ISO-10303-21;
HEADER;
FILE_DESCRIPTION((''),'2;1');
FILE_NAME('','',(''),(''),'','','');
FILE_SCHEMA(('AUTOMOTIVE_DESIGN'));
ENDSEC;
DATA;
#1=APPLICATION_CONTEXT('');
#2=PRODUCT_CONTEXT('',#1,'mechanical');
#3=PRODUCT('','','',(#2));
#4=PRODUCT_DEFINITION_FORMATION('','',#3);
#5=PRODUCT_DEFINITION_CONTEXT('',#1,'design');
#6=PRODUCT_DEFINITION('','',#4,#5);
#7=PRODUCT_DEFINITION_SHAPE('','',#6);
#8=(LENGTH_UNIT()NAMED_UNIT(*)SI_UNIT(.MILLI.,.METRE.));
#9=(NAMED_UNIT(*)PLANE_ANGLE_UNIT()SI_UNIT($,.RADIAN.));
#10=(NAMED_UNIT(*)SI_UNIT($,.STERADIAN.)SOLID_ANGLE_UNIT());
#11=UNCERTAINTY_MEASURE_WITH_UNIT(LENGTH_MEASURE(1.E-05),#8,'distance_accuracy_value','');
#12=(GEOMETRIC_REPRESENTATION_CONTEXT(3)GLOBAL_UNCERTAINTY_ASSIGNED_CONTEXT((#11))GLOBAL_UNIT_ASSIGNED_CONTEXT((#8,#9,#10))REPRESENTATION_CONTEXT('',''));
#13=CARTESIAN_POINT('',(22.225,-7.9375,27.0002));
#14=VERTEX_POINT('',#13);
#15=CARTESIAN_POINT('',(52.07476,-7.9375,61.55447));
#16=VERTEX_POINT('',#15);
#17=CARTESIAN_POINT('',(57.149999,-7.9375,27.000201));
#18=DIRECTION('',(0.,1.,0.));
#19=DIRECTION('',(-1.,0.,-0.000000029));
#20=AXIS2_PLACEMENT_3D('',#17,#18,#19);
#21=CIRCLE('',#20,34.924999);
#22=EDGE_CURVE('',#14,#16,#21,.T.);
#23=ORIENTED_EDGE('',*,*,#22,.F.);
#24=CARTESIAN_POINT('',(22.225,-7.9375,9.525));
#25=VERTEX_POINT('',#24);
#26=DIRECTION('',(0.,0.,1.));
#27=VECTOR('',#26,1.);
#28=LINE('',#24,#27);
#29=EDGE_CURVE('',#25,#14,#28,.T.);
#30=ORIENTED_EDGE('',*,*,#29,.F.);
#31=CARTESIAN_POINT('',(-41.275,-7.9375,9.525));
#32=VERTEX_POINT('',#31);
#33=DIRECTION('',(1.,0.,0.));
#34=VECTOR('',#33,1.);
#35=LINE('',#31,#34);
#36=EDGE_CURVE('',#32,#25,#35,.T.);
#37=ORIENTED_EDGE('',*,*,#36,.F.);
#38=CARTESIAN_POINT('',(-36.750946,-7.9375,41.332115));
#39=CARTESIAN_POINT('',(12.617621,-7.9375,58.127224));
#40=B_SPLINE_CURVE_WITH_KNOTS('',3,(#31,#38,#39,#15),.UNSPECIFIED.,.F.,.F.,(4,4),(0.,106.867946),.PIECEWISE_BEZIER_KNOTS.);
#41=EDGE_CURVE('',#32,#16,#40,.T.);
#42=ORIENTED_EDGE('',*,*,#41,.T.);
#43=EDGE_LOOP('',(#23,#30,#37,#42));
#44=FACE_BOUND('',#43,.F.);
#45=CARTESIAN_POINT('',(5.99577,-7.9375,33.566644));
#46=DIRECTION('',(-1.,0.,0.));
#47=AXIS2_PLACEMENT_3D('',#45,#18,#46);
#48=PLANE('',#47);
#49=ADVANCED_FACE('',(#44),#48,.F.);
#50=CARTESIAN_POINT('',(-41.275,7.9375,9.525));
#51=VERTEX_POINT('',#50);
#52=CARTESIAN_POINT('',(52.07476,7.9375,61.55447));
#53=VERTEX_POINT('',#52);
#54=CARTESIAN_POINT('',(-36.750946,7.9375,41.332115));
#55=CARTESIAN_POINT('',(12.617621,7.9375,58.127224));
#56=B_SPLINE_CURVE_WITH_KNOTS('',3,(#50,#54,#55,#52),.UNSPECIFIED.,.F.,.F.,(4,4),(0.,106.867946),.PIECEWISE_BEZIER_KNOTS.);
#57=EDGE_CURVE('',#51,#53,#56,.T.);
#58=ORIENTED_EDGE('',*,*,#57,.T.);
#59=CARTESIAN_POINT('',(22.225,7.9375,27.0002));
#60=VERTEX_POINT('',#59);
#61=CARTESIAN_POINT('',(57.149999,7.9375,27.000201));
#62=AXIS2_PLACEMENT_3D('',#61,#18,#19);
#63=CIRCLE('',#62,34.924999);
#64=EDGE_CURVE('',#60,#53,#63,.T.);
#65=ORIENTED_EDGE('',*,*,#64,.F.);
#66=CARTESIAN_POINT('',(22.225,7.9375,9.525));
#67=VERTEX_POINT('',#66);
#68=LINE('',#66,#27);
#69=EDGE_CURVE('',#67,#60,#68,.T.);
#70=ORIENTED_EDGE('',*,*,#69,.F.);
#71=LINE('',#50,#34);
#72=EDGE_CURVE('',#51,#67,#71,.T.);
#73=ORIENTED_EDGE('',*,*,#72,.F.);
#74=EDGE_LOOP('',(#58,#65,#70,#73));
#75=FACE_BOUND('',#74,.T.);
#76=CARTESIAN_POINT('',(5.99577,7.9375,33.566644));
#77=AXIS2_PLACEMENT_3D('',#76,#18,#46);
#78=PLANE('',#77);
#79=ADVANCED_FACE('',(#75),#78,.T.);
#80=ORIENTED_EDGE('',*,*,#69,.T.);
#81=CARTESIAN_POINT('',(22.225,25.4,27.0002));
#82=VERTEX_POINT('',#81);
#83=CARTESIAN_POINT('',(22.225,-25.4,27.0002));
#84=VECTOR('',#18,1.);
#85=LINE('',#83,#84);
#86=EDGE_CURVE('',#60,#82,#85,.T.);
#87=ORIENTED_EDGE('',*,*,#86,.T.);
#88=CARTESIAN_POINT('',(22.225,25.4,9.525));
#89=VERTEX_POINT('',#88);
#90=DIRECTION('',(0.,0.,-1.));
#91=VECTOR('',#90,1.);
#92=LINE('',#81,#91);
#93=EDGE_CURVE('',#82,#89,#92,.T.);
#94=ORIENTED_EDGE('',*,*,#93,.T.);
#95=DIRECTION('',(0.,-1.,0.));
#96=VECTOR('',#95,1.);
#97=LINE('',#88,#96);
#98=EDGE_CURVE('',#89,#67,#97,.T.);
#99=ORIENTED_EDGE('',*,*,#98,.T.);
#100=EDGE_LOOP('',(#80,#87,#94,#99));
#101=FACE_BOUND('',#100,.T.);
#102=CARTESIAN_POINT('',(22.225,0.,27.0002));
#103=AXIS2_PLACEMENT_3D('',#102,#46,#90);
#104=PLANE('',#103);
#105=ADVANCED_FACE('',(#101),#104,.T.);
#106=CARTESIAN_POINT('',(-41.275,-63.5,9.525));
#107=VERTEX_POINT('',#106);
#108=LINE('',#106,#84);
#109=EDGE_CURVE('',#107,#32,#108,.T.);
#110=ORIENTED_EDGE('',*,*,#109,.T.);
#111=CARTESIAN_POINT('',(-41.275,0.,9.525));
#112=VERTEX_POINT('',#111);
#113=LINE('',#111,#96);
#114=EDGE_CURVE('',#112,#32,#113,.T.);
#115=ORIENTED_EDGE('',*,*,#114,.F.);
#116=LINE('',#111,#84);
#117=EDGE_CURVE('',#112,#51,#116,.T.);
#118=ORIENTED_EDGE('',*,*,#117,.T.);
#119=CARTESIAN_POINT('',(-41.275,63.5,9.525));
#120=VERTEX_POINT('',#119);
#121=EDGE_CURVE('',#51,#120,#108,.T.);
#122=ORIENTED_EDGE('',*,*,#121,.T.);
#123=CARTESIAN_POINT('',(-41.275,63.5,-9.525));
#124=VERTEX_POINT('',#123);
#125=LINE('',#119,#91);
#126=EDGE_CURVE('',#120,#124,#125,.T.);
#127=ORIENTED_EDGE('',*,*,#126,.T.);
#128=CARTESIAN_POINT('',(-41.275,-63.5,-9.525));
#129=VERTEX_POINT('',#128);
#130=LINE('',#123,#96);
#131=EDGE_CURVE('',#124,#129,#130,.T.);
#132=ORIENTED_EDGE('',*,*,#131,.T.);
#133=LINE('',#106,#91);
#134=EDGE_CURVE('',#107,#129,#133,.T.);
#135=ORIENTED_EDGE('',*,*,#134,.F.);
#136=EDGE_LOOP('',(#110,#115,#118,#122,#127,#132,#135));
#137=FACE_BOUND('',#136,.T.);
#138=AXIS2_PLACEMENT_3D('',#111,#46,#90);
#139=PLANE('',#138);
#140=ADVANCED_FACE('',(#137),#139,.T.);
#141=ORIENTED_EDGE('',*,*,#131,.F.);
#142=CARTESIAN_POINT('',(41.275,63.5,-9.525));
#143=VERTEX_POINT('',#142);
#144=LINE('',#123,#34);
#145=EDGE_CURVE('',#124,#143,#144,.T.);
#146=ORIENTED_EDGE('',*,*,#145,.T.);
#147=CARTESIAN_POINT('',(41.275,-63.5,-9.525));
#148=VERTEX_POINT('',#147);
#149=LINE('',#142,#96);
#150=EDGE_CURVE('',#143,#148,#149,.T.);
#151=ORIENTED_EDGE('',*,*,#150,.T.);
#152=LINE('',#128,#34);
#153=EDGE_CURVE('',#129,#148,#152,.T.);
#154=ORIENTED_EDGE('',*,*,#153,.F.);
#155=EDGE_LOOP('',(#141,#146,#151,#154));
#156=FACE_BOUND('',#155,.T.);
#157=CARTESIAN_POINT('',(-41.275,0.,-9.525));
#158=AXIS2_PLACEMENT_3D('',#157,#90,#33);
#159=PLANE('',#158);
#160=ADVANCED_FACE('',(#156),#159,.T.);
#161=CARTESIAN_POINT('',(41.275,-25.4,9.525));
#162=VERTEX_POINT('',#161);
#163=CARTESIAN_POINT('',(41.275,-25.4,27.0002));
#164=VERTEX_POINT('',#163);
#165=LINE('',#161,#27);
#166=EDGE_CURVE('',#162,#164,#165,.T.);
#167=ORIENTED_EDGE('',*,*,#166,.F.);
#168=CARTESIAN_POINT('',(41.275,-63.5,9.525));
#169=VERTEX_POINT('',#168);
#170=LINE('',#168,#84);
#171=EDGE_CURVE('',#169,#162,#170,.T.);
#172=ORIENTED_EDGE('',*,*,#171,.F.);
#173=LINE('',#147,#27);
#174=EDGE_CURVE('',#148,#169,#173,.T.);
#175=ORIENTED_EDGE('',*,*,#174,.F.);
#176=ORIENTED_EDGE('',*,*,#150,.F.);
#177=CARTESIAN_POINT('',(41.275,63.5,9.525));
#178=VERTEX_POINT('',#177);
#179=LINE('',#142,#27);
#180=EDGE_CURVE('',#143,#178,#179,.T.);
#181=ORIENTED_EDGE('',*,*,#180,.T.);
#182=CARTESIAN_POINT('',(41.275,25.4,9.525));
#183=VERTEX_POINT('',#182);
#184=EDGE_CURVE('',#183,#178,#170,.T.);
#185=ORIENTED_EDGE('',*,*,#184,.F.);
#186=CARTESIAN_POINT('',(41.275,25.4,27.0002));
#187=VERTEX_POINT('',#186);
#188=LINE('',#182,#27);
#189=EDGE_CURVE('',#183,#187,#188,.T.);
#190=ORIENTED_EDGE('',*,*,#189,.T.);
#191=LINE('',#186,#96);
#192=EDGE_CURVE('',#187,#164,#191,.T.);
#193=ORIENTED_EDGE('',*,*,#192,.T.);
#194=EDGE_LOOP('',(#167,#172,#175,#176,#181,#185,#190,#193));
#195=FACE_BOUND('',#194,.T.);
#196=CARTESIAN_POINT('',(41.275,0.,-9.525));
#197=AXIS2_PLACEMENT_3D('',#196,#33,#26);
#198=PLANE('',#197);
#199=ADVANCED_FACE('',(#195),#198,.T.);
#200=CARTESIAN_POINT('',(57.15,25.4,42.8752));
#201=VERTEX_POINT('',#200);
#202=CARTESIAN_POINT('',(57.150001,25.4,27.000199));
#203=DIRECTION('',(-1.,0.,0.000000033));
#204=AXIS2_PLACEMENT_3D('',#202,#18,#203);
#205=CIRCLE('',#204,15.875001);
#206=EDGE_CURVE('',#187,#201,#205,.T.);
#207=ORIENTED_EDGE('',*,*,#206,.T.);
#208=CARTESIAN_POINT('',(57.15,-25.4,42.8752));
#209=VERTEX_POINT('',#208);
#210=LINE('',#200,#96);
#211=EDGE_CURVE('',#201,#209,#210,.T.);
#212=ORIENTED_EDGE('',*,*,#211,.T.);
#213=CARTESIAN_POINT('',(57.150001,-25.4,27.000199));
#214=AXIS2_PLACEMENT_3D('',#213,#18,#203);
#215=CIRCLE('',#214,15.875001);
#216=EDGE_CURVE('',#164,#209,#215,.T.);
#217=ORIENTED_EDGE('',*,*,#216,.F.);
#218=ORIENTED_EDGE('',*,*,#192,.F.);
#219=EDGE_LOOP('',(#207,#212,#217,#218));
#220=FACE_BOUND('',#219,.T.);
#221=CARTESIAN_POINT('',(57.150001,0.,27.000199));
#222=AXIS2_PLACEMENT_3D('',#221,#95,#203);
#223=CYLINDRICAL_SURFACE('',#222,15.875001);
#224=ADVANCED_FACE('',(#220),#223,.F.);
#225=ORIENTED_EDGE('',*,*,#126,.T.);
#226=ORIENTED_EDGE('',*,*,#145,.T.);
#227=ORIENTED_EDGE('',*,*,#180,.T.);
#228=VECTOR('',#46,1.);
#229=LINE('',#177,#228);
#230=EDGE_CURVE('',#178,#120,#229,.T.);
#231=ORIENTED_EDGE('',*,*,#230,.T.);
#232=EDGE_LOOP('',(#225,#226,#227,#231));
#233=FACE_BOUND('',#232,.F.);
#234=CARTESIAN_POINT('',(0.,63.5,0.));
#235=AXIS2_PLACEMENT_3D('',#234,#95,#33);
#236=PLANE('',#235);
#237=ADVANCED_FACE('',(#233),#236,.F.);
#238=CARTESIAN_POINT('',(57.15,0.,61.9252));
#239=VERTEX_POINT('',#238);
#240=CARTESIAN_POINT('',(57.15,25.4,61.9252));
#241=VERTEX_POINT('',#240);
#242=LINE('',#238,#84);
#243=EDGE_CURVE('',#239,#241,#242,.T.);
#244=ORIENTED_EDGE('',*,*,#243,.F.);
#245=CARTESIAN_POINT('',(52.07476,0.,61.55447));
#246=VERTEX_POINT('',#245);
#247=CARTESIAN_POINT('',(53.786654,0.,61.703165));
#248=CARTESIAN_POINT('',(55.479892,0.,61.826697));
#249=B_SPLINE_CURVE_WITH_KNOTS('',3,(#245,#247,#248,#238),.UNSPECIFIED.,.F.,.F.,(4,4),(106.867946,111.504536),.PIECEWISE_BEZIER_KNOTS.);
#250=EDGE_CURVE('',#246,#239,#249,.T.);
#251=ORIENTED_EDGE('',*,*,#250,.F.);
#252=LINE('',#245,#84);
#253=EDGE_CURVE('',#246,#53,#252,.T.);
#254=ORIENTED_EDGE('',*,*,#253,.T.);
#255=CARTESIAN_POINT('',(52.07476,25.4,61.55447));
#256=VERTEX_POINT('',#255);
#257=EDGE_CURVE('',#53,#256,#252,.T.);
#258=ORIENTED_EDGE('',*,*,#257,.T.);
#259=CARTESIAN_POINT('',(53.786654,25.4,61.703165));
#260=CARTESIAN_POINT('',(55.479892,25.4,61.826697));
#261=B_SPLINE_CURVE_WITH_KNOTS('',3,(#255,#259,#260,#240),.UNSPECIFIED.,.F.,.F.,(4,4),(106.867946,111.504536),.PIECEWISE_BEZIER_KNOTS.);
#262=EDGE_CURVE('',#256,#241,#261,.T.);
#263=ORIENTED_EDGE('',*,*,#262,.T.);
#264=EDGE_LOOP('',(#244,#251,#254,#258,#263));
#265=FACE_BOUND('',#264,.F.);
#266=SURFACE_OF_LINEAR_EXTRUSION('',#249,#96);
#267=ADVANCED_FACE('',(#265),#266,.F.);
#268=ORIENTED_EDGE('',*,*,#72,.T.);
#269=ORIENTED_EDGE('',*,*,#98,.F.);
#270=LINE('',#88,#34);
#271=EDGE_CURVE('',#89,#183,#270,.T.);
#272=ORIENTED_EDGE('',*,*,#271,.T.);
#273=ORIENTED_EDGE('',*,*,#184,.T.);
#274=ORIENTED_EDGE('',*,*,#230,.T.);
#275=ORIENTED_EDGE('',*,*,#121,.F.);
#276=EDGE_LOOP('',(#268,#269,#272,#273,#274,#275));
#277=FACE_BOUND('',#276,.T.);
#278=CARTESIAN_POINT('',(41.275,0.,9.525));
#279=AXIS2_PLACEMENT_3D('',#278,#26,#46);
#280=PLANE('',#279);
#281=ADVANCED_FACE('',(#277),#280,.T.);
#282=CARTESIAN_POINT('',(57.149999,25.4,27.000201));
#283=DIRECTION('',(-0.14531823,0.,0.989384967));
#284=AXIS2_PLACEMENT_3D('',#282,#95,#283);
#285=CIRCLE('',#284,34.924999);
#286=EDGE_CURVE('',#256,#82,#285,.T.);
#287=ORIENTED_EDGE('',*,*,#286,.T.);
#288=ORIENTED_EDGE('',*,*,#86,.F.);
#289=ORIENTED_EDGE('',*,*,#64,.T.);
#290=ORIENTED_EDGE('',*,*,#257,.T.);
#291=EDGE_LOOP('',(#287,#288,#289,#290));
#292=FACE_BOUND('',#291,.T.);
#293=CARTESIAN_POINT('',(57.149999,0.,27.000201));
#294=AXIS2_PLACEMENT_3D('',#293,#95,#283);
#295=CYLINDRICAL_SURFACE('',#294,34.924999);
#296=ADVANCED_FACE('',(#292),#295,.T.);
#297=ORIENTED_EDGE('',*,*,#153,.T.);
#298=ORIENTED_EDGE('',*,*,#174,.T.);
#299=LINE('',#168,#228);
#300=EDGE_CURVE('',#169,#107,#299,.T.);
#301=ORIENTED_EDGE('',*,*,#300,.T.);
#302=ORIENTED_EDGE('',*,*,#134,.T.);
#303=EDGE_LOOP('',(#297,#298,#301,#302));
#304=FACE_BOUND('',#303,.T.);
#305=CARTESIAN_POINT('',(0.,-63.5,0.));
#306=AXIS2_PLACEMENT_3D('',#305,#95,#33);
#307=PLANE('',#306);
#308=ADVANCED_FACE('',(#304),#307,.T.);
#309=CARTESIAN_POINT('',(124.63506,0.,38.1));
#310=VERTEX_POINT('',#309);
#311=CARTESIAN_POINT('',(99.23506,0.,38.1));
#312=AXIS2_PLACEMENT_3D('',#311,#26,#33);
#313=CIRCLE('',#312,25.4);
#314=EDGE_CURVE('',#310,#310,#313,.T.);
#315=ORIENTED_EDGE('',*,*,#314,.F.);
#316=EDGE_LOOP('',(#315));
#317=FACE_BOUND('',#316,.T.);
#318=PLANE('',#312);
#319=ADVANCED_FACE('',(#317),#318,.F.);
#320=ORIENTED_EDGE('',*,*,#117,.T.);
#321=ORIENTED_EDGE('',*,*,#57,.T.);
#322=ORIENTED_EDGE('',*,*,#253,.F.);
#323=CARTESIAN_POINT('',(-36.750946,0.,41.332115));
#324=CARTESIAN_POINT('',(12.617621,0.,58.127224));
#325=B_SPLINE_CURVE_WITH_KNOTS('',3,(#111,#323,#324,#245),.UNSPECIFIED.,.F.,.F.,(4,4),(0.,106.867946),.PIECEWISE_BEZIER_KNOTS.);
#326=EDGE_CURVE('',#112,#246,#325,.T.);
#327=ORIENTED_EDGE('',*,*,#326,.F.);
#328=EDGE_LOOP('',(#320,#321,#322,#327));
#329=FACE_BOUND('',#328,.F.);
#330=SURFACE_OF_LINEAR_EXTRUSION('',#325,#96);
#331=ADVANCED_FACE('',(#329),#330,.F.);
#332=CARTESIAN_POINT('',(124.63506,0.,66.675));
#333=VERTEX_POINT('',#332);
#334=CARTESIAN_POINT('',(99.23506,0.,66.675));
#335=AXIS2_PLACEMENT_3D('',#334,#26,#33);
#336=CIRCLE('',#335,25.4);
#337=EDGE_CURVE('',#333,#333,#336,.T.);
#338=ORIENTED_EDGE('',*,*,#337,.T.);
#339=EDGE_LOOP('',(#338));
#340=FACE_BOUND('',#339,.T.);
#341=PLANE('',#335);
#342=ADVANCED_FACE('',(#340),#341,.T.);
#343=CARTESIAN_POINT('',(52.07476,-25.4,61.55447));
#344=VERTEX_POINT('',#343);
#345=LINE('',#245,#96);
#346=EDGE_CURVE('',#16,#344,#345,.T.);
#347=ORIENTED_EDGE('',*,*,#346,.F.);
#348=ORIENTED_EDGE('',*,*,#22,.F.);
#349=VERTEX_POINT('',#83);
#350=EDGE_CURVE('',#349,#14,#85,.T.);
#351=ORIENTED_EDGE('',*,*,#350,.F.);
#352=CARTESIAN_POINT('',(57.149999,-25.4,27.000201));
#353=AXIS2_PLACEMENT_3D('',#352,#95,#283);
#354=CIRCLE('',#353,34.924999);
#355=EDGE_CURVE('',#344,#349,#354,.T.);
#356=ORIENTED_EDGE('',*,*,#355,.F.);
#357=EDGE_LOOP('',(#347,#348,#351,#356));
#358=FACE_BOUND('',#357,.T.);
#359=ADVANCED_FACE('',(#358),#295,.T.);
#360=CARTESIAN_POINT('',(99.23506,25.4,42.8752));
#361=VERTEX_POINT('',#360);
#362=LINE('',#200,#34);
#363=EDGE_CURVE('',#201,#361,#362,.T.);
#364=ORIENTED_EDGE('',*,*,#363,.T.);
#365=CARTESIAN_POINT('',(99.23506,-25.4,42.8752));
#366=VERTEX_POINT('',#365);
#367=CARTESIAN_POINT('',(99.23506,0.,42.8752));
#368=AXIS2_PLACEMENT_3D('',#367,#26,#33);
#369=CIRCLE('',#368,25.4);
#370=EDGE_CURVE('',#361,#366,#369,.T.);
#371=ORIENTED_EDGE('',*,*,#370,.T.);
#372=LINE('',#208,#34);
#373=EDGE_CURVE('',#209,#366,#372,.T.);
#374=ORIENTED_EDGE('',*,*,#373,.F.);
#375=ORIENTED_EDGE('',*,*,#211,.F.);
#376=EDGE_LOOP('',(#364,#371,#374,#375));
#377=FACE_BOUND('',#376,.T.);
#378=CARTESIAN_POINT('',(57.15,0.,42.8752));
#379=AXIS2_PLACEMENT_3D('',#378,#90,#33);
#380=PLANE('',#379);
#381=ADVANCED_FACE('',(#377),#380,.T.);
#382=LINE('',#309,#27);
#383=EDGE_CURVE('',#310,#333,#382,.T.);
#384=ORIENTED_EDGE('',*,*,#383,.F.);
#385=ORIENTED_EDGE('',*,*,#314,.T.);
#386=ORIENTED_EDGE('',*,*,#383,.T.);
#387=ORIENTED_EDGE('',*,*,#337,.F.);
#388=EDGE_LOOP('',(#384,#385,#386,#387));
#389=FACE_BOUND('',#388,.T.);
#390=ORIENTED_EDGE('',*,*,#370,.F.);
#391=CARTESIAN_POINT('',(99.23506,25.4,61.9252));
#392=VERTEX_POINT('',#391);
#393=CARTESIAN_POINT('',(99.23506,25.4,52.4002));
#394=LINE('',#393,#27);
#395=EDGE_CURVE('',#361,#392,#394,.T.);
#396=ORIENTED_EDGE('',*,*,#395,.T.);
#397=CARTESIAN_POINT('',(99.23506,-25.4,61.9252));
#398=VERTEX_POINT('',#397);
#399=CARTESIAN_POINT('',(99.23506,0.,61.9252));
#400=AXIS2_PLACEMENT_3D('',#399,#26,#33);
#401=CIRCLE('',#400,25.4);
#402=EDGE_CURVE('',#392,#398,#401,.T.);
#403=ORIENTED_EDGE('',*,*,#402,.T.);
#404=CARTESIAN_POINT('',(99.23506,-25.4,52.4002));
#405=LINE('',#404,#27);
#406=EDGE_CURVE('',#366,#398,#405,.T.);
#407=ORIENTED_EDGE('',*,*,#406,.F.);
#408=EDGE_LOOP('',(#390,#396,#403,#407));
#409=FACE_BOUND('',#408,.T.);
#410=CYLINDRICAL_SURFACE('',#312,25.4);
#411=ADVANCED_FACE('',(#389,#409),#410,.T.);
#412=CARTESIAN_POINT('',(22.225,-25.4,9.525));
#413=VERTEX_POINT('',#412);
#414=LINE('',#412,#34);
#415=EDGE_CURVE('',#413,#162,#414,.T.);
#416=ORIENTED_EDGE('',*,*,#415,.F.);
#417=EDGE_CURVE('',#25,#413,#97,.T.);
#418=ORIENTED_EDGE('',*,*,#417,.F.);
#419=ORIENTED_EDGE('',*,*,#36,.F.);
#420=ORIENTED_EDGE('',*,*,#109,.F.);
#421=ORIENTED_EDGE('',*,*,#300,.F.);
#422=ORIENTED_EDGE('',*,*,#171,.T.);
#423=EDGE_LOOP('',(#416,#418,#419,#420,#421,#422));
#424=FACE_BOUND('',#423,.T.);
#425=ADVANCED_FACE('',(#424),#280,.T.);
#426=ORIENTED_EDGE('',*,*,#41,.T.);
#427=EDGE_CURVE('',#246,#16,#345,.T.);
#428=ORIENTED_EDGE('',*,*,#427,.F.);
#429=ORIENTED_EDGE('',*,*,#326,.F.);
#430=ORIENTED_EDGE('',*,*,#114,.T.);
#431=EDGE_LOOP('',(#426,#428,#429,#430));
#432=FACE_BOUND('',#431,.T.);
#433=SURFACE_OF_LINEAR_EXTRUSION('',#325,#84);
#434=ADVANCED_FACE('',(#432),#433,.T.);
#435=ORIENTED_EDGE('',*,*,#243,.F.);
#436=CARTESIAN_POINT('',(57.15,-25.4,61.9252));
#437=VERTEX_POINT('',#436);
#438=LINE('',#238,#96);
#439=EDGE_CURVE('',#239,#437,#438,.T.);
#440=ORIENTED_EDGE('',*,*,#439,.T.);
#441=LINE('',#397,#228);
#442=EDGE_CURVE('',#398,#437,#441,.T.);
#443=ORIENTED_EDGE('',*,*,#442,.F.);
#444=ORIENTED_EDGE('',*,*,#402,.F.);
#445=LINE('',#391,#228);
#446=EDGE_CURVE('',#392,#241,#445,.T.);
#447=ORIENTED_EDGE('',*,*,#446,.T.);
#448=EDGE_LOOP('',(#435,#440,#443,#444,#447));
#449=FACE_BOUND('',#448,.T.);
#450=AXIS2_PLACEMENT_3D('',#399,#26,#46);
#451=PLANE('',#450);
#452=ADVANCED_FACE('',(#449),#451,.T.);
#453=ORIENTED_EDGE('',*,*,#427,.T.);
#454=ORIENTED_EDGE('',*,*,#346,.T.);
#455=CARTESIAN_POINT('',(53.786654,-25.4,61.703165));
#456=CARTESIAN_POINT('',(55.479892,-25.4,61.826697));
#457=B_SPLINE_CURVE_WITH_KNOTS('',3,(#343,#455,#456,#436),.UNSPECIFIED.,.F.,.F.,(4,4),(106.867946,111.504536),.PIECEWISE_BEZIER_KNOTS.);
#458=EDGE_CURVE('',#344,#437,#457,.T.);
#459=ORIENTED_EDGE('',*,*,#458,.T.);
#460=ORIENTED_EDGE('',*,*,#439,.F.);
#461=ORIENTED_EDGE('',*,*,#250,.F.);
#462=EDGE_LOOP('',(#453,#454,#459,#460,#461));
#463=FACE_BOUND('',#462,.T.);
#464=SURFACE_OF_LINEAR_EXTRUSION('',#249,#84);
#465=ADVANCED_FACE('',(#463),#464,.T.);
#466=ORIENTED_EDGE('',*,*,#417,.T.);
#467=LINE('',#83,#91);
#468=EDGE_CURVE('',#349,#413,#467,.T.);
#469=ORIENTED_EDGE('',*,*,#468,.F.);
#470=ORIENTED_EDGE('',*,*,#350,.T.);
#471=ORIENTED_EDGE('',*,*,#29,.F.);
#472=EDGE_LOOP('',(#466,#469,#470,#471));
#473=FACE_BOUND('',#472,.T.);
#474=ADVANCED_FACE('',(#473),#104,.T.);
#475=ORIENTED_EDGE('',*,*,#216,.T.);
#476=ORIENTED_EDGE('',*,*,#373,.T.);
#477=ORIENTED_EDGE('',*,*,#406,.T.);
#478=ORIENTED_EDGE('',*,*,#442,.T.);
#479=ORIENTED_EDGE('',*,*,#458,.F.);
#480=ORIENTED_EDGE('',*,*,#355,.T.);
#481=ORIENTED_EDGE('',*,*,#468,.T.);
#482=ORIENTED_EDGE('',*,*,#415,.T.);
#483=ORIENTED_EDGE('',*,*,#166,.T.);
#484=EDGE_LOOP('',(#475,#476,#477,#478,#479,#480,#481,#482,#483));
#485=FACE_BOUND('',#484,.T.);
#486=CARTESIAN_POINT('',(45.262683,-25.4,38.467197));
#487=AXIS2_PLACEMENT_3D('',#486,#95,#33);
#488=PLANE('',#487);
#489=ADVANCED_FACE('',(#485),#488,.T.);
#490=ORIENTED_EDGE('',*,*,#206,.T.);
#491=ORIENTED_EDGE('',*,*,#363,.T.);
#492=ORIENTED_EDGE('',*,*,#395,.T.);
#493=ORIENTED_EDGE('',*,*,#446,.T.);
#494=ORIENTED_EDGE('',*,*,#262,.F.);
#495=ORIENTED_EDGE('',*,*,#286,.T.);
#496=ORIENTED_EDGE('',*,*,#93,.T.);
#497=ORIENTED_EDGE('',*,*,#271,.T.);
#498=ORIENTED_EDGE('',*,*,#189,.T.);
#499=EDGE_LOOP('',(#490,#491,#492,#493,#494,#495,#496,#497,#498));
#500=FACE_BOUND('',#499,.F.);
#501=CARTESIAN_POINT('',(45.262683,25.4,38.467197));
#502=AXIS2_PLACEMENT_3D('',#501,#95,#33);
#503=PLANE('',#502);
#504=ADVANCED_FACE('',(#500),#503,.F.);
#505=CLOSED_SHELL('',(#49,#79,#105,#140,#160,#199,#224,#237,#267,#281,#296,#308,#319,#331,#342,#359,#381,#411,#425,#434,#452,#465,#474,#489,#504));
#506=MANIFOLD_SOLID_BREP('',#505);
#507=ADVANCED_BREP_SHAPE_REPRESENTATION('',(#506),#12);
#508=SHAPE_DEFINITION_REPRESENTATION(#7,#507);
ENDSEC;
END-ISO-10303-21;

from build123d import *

# Parameters (mm, degrees)
F1_DEPTH = 63.5
F2_DEPTH = 7.9375
F0_W     = 25.4
F0_H     = 19.05
F3_DEPTH = 25.4


with BuildPart() as f1:
    # F0 (on Front) → F1 (new body, symmetric)
    with BuildSketch(Plane.XZ):
        Polygon((22.225, 9.525), (-41.275, 9.525), (-41.275, -9.525), (41.275, -9.525), (41.275, 9.525), align=None)
    extrude(amount=F1_DEPTH, both=True)

    # F0 (on Front) → F2 (join, symmetric)
    with BuildSketch(Plane.XZ):
        with BuildLine():
            add(Edge.make_bspline(
                [(-41.275, 9.525), (-36.750946, 41.332115), (12.617621, 58.127224), (52.07476, 61.55447)],
                knots=[0, 0, 0, 0, 106.867946, 106.867946, 106.867946, 106.867946], degree=3))
            Line((-41.275, 9.525), (22.225, 9.525))
            Line((22.225, 9.525), (22.225, 27.0002))
            ThreePointArc((22.225, 27.0002), (30.72077, 49.831132), (52.07476, 61.55447))
        make_face()
    extrude(amount=F2_DEPTH, both=True)

    # F0 (on Front) → F3 (join, symmetric)
    with BuildSketch(Plane.XZ):
        with BuildLine():
            Line((22.225, 27.0002), (22.225, 9.525))
            Line((22.225, 9.525), (41.275, 9.525))
            Line((41.275, 9.525), (41.275, 27.0002))
            ThreePointArc((41.275, 27.0002), (45.92468, 38.22552), (57.15, 42.8752))
            Line((57.15, 42.8752), (73.83506, 42.8752))
            Line((73.83506, 42.8752), (73.83506, 61.9252))
            Line((73.83506, 61.9252), (57.15, 61.9252))
            add(Edge.make_bspline(
                [(52.07476, 61.55447), (53.786654, 61.703165), (55.479892, 61.826697), (57.15, 61.9252)],
                knots=[106.867946, 106.867946, 106.867946, 106.867946, 111.504536, 111.504536, 111.504536, 111.504536], degree=3))
            ThreePointArc((52.07476, 61.55447), (30.72077, 49.831132), (22.225, 27.0002))
        make_face()
        with Locations((86.53506, 52.4002)):
            Rectangle(F0_W, F0_H)
    extrude(amount=F3_DEPTH, both=True)

    # F0 (on Front) → F4 (revolve)
    with BuildSketch(Plane.XZ):
        Polygon((99.23506, 66.675), (99.23506, 61.9252), (99.23506, 42.8752), (99.23506, 38.1), (124.63506, 38.1), (124.63506, 66.675), align=None)
    revolve(axis=Axis((99.23506, 0, 52.3875), (0, 0, 1)))


solid = f1.part
